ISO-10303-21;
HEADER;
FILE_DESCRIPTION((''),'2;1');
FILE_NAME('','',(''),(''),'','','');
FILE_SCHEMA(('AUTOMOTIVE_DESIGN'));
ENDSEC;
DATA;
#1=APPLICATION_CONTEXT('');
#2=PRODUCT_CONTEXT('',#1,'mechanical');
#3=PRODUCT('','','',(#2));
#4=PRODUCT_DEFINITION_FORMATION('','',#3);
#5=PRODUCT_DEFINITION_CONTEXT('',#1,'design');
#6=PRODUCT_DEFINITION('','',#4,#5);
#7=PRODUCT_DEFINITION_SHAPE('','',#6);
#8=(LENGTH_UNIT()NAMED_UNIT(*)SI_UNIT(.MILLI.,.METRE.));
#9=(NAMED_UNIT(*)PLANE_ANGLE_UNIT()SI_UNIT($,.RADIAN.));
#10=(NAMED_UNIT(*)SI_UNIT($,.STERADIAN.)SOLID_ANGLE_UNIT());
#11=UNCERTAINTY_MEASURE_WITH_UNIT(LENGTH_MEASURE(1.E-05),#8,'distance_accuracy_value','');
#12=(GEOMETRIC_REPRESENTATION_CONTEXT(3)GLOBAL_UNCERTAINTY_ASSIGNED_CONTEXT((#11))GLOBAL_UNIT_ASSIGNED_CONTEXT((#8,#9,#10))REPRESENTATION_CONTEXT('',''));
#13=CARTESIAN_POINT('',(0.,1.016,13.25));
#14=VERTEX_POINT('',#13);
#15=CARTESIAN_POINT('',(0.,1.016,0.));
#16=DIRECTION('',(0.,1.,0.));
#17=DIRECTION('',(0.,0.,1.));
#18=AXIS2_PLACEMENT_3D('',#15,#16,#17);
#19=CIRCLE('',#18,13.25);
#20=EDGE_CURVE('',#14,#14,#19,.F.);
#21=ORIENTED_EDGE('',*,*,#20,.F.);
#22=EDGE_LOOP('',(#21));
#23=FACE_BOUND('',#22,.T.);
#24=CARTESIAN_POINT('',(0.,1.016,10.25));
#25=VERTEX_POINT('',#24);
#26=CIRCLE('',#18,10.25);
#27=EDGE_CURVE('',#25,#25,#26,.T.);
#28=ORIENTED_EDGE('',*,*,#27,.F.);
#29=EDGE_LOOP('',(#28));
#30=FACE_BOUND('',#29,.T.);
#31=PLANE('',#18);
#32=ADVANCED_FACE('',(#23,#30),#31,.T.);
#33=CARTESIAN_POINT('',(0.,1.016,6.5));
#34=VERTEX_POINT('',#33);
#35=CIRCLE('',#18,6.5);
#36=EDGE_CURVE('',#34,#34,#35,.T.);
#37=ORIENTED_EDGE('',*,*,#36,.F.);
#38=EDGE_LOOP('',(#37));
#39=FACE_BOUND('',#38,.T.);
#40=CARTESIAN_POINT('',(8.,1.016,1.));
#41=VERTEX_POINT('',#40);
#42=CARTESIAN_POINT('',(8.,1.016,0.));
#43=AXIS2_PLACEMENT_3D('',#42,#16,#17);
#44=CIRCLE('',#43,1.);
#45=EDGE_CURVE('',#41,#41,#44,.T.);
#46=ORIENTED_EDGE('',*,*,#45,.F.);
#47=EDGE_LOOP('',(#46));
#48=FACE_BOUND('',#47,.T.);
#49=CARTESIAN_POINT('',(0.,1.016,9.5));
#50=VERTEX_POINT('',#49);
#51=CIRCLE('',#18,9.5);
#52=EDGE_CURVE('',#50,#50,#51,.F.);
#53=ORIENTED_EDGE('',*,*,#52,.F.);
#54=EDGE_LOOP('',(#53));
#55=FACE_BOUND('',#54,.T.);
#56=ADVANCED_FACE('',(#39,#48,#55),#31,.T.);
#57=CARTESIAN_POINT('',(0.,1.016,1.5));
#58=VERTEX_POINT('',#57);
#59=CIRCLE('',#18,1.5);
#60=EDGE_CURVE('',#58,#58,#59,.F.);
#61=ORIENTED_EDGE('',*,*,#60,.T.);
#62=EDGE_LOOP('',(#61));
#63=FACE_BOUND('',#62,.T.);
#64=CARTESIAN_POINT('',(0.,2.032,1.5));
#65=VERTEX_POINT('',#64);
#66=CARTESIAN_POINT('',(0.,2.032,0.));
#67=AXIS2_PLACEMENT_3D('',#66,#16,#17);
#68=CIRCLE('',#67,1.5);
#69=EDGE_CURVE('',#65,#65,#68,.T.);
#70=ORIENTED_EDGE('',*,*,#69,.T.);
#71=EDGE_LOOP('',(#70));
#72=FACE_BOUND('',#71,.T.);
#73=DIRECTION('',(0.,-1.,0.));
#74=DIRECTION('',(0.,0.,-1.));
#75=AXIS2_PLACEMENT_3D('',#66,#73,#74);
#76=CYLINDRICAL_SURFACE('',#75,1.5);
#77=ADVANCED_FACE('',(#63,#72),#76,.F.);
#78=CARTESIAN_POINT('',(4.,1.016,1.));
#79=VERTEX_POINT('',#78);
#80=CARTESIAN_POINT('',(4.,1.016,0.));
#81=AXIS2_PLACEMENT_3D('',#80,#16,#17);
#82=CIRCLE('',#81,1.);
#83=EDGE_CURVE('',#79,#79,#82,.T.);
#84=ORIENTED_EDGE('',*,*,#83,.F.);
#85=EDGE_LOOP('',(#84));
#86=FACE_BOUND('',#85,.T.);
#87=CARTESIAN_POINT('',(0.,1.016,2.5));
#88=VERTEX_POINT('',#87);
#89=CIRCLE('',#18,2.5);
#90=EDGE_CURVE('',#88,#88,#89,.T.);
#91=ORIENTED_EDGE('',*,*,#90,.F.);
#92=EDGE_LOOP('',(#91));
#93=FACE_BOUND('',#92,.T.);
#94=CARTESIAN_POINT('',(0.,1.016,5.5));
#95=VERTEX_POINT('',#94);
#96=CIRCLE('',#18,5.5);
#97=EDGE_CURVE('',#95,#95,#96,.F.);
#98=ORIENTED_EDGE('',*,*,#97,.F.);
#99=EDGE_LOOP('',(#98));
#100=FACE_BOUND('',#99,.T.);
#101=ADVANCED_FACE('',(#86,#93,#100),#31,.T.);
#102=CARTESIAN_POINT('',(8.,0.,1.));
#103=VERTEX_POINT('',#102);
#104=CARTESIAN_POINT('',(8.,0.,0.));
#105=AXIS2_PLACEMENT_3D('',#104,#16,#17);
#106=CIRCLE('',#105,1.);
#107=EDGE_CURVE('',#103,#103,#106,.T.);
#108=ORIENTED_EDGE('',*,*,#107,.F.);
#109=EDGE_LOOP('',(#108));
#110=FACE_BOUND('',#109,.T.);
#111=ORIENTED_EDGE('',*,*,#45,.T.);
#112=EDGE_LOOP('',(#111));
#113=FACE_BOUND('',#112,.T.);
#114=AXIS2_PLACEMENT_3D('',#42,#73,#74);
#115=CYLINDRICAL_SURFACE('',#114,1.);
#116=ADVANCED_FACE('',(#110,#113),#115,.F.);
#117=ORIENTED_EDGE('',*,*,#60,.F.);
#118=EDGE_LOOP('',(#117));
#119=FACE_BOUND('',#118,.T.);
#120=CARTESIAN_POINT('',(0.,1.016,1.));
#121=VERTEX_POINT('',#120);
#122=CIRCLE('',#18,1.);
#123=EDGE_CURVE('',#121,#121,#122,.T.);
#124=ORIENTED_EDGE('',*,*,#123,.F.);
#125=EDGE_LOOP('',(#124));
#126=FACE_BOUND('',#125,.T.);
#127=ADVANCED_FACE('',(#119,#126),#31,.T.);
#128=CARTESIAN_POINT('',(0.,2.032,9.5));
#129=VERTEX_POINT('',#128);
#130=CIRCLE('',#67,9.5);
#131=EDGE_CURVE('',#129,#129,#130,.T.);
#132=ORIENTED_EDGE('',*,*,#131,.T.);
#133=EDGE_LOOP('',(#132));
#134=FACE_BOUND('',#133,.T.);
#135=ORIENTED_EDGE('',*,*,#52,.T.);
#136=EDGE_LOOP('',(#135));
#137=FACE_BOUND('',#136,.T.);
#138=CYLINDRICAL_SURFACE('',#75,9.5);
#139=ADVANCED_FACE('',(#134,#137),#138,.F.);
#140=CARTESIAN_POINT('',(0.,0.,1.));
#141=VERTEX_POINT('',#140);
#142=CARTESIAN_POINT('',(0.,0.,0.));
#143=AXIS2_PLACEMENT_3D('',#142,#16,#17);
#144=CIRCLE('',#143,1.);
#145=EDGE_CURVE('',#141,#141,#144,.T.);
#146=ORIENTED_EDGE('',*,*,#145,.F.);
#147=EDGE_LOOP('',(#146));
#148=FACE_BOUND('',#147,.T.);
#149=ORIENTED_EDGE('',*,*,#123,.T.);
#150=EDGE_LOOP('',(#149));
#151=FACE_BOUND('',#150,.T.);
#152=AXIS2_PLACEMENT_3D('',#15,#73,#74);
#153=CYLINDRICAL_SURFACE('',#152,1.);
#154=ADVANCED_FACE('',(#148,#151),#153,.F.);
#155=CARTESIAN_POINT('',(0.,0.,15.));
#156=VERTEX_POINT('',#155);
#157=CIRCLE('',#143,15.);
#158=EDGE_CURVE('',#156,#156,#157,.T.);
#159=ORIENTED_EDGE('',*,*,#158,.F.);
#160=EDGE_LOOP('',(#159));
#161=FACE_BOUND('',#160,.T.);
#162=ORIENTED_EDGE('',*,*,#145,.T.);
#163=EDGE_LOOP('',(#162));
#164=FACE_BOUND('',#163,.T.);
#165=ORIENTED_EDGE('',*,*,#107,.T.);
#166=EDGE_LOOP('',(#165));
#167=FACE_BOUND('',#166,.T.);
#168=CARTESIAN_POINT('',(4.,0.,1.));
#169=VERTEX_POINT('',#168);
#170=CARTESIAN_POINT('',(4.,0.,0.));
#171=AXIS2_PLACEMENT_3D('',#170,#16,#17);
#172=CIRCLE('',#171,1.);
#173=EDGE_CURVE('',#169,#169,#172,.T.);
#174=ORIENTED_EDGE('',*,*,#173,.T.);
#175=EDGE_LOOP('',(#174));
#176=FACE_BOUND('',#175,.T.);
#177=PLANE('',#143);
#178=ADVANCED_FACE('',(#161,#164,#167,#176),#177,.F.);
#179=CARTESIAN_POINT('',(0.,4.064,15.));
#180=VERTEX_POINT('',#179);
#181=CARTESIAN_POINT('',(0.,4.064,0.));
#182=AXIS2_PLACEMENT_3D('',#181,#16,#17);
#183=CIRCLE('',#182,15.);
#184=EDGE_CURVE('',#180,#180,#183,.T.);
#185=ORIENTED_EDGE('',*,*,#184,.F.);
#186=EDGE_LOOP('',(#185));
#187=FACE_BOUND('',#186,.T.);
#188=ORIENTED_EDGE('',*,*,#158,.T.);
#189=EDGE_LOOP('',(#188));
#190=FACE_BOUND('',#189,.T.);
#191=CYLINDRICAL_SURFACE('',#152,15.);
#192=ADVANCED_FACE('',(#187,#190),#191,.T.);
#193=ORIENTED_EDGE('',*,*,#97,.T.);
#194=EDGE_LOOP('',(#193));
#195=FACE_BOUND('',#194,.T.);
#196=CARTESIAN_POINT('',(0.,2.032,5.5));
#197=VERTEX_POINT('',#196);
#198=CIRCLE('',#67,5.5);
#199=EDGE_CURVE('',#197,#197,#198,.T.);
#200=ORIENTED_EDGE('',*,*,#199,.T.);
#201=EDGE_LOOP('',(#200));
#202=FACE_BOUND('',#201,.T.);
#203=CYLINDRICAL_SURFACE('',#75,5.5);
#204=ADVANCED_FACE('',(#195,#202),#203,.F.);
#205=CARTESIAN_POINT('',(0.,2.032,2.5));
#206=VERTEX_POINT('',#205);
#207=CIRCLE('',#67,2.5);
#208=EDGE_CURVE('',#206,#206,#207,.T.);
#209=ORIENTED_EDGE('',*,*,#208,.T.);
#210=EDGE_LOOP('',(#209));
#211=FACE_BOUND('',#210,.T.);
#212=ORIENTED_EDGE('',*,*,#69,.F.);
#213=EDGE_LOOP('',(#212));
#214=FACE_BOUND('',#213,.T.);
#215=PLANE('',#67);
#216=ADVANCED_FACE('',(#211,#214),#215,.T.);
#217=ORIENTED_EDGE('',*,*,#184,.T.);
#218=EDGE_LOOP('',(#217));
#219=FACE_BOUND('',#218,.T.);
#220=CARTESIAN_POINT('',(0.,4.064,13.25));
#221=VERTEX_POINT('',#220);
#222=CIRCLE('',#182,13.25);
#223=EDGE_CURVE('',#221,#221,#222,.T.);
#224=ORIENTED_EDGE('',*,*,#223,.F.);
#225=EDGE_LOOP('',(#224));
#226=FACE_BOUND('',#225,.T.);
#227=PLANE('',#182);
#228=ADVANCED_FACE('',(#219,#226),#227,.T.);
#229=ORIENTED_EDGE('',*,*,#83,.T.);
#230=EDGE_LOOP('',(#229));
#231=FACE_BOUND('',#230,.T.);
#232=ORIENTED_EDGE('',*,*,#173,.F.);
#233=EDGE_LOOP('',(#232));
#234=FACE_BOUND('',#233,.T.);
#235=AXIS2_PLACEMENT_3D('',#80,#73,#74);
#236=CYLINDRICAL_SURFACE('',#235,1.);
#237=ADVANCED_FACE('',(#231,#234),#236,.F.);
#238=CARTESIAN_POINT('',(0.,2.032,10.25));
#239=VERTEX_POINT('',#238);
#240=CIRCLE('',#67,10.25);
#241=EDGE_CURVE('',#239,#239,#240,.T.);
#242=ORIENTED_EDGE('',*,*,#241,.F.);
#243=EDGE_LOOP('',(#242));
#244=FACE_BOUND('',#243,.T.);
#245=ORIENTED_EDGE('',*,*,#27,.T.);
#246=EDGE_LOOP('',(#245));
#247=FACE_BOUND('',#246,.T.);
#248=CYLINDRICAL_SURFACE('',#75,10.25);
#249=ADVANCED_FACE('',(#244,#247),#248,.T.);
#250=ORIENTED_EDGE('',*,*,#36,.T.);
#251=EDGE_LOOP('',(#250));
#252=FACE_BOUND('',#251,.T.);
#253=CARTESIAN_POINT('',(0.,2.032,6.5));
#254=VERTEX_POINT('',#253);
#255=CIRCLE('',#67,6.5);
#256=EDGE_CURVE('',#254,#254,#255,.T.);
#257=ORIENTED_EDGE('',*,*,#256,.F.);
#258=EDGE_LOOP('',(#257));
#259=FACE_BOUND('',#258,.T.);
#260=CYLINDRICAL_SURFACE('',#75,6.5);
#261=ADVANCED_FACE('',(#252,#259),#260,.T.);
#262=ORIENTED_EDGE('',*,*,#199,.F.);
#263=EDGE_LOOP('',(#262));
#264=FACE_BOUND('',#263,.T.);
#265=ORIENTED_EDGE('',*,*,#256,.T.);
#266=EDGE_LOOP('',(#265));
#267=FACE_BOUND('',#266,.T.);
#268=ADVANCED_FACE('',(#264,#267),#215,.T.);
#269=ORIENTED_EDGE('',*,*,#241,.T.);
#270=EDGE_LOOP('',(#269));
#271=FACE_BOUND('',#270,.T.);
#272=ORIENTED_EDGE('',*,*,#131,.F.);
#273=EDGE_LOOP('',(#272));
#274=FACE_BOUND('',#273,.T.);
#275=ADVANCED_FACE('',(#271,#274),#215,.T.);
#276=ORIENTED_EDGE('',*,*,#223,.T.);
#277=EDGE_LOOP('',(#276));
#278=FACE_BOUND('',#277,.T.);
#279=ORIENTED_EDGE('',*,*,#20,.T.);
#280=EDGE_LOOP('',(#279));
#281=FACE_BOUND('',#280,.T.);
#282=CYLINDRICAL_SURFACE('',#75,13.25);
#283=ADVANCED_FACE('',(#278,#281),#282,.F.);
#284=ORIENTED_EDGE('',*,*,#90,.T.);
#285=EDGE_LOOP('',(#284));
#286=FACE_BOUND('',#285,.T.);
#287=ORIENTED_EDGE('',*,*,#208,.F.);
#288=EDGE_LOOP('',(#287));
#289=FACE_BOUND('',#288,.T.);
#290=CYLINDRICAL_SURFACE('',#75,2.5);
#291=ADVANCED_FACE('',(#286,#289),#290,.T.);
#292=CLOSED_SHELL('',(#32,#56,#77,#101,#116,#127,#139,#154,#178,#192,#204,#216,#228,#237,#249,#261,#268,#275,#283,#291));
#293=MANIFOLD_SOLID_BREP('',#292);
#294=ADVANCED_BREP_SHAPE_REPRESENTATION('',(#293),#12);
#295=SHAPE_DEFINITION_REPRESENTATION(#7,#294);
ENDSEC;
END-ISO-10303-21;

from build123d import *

# Parameters (mm, degrees)
SKETCH2_R           = 15
SKETCH2_R_2         = 1
BOSS_EXTRUDE2_DEPTH = 1.016
SKETCH3_R           = 15
SKETCH3_R_2         = 13.25
SKETCH3_R_3         = 10.25
SKETCH3_R_4         = 9.5
SKETCH3_R_5         = 6.5
SKETCH3_R_6         = 5.5
SKETCH3_R_7         = 2.5
SKETCH3_R_8         = 1.5
BOSS_EXTRUDE4_DEPTH = 1.016
SKETCH5_R           = 15
SKETCH5_R_2         = 13.25
BOSS_EXTRUDE5_DEPTH = 2.032


with BuildPart() as part:
    # Sketch2 → Boss-Extrude2 (new body)
    with BuildSketch(Plane(origin=(0, 0, 0), x_dir=(1, 0, 0), z_dir=(0, 1, 0))):
        with Locations(Location((0, 0, 0), (0, 0, 270))):
            Circle(SKETCH2_R)
        with Locations(Location((0, 0, 0), (0, 0, 270))):
            Circle(SKETCH2_R_2, mode=Mode.SUBTRACT)
        with Locations(Location((4, 0, 0), (0, 0, 270))):
            Circle(SKETCH2_R_2, mode=Mode.SUBTRACT)
        with Locations(Location((8, 0, 0), (0, 0, 270))):
            Circle(SKETCH2_R_2, mode=Mode.SUBTRACT)
    extrude(amount=BOSS_EXTRUDE2_DEPTH)

    # Sketch3 → Boss-Extrude4 (add)
    # profile 1 of 4: a face of its own
    with BuildSketch(Plane(origin=(0, 1.016, 0), x_dir=(1, 0, 0), z_dir=(0, 1, 0))):
        with Locations(Location((0, 0, 0), (0, 0, 270))):
            Circle(SKETCH3_R)
        with Locations(Location((0, 0, 0), (0, 0, 270))):
            Circle(SKETCH3_R_2, mode=Mode.SUBTRACT)
    # profile 2 of 4: a face of its own
    with BuildSketch(Plane(origin=(0, 1.016, 0), x_dir=(1, 0, 0), z_dir=(0, 1, 0))):
        with Locations(Location((0, 0, 0), (0, 0, 270))):
            Circle(SKETCH3_R_3)
        with Locations(Location((0, 0, 0), (0, 0, 270))):
            Circle(SKETCH3_R_4, mode=Mode.SUBTRACT)
    # profile 3 of 4: a face of its own
    with BuildSketch(Plane(origin=(0, 1.016, 0), x_dir=(1, 0, 0), z_dir=(0, 1, 0))):
        with Locations(Location((0, 0, 0), (0, 0, 270))):
            Circle(SKETCH3_R_5)
        with Locations(Location((0, 0, 0), (0, 0, 270))):
            Circle(SKETCH3_R_6, mode=Mode.SUBTRACT)
    # profile 4 of 4: a face of its own
    with BuildSketch(Plane(origin=(0, 1.016, 0), x_dir=(1, 0, 0), z_dir=(0, 1, 0))):
        with Locations(Location((0, 0, 0), (0, 0, 270))):
            Circle(SKETCH3_R_7)
        with Locations(Location((0, 0, 0), (0, 0, 270))):
            Circle(SKETCH3_R_8, mode=Mode.SUBTRACT)
    extrude(amount=BOSS_EXTRUDE4_DEPTH)

    # Sketch5 → Boss-Extrude5 (add)
    with BuildSketch(Plane(origin=(0, 2.032, 0), x_dir=(1, 0, 0), z_dir=(0, 1, 0))):
        with Locations(Location((0, 0, 0), (0, 0, 270))):
            Circle(SKETCH5_R)
        with Locations(Location((0, 0, 0), (0, 0, 270))):
            Circle(SKETCH5_R_2, mode=Mode.SUBTRACT)
    extrude(amount=BOSS_EXTRUDE5_DEPTH)


solid = part.part
